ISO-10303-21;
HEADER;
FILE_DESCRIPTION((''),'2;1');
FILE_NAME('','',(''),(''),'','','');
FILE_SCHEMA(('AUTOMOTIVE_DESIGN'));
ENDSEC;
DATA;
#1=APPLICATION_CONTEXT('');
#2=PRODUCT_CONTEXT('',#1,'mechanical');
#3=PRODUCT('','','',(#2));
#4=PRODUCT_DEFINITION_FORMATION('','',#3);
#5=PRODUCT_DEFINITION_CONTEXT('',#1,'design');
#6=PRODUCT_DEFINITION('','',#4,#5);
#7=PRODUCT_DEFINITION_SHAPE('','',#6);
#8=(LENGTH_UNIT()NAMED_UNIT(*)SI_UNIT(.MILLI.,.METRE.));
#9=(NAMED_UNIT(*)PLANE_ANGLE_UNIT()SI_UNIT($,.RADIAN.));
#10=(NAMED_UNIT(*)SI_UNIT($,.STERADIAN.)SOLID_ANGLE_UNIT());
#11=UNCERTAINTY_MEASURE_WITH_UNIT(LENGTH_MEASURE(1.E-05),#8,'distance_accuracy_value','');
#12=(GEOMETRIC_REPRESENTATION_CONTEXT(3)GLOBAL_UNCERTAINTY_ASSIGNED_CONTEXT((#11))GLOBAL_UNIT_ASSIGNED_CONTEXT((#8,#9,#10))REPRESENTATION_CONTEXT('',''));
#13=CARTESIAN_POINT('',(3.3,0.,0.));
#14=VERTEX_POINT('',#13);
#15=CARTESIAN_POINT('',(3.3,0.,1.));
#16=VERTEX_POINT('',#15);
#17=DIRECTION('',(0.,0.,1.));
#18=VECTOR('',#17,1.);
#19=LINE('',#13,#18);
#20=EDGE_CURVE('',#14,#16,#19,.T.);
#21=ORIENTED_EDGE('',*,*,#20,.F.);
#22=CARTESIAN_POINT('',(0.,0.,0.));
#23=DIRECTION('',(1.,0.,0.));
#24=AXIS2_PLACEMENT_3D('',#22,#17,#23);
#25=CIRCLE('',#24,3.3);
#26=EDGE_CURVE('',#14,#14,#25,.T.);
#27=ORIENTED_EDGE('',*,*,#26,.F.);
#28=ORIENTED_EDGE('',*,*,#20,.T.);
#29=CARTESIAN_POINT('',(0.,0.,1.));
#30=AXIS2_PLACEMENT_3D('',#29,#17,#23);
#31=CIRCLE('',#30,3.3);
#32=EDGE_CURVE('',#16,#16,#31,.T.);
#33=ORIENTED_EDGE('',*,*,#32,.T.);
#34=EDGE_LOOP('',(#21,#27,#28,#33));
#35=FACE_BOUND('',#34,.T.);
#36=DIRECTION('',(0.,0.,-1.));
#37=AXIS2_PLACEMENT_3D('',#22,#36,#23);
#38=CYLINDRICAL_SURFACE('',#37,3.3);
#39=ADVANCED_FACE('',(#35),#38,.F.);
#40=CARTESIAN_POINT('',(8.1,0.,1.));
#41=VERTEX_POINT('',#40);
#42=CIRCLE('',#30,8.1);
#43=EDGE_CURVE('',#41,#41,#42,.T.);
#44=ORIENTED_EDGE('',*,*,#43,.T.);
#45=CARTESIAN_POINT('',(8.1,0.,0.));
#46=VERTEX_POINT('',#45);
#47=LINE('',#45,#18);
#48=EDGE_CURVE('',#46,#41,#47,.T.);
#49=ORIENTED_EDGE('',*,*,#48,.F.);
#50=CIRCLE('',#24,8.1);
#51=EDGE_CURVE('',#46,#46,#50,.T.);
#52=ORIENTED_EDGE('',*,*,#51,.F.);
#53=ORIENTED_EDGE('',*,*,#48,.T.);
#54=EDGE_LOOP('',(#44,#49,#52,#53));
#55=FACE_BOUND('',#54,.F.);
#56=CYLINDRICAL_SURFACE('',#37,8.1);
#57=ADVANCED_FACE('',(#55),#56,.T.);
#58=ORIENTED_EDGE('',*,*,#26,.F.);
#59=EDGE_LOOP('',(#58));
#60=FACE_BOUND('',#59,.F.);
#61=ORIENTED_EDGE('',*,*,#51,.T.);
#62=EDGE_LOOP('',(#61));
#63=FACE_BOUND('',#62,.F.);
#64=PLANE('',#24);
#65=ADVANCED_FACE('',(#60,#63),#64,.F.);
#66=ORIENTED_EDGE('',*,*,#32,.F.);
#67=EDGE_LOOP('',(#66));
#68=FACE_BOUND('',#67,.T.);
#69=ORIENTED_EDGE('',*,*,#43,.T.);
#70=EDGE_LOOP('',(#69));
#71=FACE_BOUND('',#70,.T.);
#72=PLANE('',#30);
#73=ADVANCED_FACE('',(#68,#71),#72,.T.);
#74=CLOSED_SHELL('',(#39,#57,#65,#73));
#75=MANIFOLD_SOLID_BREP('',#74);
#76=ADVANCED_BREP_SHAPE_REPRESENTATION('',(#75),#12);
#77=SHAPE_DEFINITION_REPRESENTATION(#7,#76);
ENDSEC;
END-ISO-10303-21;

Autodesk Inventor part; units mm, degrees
ref_plane "YZ Plane" through (0, 0, 0) normal (1, 0, 0) x (0, 1, 0)
ref_plane "XZ Plane" through (0, 0, 0) normal (0, 1, 0) x (-1, 0, 0)
ref_plane "XY Plane" through (0, 0, 0) normal (0, 0, 1) x (1, 0, 0)
sketch "Sketch1" plane through (0, 0, 0) normal (0, 0, 1) x (1, 0, 0)
  circle A0 centre (0, 0) radius 8.1
  circle A1 centre (0, 0) radius 3.3
  dimension "d0" = 16.2
  dimension "d1" = 6.6
extrude "Extrusion1" add sketch "Sketch1" along normal blind 1
properties part number "Washer(1mm)"
